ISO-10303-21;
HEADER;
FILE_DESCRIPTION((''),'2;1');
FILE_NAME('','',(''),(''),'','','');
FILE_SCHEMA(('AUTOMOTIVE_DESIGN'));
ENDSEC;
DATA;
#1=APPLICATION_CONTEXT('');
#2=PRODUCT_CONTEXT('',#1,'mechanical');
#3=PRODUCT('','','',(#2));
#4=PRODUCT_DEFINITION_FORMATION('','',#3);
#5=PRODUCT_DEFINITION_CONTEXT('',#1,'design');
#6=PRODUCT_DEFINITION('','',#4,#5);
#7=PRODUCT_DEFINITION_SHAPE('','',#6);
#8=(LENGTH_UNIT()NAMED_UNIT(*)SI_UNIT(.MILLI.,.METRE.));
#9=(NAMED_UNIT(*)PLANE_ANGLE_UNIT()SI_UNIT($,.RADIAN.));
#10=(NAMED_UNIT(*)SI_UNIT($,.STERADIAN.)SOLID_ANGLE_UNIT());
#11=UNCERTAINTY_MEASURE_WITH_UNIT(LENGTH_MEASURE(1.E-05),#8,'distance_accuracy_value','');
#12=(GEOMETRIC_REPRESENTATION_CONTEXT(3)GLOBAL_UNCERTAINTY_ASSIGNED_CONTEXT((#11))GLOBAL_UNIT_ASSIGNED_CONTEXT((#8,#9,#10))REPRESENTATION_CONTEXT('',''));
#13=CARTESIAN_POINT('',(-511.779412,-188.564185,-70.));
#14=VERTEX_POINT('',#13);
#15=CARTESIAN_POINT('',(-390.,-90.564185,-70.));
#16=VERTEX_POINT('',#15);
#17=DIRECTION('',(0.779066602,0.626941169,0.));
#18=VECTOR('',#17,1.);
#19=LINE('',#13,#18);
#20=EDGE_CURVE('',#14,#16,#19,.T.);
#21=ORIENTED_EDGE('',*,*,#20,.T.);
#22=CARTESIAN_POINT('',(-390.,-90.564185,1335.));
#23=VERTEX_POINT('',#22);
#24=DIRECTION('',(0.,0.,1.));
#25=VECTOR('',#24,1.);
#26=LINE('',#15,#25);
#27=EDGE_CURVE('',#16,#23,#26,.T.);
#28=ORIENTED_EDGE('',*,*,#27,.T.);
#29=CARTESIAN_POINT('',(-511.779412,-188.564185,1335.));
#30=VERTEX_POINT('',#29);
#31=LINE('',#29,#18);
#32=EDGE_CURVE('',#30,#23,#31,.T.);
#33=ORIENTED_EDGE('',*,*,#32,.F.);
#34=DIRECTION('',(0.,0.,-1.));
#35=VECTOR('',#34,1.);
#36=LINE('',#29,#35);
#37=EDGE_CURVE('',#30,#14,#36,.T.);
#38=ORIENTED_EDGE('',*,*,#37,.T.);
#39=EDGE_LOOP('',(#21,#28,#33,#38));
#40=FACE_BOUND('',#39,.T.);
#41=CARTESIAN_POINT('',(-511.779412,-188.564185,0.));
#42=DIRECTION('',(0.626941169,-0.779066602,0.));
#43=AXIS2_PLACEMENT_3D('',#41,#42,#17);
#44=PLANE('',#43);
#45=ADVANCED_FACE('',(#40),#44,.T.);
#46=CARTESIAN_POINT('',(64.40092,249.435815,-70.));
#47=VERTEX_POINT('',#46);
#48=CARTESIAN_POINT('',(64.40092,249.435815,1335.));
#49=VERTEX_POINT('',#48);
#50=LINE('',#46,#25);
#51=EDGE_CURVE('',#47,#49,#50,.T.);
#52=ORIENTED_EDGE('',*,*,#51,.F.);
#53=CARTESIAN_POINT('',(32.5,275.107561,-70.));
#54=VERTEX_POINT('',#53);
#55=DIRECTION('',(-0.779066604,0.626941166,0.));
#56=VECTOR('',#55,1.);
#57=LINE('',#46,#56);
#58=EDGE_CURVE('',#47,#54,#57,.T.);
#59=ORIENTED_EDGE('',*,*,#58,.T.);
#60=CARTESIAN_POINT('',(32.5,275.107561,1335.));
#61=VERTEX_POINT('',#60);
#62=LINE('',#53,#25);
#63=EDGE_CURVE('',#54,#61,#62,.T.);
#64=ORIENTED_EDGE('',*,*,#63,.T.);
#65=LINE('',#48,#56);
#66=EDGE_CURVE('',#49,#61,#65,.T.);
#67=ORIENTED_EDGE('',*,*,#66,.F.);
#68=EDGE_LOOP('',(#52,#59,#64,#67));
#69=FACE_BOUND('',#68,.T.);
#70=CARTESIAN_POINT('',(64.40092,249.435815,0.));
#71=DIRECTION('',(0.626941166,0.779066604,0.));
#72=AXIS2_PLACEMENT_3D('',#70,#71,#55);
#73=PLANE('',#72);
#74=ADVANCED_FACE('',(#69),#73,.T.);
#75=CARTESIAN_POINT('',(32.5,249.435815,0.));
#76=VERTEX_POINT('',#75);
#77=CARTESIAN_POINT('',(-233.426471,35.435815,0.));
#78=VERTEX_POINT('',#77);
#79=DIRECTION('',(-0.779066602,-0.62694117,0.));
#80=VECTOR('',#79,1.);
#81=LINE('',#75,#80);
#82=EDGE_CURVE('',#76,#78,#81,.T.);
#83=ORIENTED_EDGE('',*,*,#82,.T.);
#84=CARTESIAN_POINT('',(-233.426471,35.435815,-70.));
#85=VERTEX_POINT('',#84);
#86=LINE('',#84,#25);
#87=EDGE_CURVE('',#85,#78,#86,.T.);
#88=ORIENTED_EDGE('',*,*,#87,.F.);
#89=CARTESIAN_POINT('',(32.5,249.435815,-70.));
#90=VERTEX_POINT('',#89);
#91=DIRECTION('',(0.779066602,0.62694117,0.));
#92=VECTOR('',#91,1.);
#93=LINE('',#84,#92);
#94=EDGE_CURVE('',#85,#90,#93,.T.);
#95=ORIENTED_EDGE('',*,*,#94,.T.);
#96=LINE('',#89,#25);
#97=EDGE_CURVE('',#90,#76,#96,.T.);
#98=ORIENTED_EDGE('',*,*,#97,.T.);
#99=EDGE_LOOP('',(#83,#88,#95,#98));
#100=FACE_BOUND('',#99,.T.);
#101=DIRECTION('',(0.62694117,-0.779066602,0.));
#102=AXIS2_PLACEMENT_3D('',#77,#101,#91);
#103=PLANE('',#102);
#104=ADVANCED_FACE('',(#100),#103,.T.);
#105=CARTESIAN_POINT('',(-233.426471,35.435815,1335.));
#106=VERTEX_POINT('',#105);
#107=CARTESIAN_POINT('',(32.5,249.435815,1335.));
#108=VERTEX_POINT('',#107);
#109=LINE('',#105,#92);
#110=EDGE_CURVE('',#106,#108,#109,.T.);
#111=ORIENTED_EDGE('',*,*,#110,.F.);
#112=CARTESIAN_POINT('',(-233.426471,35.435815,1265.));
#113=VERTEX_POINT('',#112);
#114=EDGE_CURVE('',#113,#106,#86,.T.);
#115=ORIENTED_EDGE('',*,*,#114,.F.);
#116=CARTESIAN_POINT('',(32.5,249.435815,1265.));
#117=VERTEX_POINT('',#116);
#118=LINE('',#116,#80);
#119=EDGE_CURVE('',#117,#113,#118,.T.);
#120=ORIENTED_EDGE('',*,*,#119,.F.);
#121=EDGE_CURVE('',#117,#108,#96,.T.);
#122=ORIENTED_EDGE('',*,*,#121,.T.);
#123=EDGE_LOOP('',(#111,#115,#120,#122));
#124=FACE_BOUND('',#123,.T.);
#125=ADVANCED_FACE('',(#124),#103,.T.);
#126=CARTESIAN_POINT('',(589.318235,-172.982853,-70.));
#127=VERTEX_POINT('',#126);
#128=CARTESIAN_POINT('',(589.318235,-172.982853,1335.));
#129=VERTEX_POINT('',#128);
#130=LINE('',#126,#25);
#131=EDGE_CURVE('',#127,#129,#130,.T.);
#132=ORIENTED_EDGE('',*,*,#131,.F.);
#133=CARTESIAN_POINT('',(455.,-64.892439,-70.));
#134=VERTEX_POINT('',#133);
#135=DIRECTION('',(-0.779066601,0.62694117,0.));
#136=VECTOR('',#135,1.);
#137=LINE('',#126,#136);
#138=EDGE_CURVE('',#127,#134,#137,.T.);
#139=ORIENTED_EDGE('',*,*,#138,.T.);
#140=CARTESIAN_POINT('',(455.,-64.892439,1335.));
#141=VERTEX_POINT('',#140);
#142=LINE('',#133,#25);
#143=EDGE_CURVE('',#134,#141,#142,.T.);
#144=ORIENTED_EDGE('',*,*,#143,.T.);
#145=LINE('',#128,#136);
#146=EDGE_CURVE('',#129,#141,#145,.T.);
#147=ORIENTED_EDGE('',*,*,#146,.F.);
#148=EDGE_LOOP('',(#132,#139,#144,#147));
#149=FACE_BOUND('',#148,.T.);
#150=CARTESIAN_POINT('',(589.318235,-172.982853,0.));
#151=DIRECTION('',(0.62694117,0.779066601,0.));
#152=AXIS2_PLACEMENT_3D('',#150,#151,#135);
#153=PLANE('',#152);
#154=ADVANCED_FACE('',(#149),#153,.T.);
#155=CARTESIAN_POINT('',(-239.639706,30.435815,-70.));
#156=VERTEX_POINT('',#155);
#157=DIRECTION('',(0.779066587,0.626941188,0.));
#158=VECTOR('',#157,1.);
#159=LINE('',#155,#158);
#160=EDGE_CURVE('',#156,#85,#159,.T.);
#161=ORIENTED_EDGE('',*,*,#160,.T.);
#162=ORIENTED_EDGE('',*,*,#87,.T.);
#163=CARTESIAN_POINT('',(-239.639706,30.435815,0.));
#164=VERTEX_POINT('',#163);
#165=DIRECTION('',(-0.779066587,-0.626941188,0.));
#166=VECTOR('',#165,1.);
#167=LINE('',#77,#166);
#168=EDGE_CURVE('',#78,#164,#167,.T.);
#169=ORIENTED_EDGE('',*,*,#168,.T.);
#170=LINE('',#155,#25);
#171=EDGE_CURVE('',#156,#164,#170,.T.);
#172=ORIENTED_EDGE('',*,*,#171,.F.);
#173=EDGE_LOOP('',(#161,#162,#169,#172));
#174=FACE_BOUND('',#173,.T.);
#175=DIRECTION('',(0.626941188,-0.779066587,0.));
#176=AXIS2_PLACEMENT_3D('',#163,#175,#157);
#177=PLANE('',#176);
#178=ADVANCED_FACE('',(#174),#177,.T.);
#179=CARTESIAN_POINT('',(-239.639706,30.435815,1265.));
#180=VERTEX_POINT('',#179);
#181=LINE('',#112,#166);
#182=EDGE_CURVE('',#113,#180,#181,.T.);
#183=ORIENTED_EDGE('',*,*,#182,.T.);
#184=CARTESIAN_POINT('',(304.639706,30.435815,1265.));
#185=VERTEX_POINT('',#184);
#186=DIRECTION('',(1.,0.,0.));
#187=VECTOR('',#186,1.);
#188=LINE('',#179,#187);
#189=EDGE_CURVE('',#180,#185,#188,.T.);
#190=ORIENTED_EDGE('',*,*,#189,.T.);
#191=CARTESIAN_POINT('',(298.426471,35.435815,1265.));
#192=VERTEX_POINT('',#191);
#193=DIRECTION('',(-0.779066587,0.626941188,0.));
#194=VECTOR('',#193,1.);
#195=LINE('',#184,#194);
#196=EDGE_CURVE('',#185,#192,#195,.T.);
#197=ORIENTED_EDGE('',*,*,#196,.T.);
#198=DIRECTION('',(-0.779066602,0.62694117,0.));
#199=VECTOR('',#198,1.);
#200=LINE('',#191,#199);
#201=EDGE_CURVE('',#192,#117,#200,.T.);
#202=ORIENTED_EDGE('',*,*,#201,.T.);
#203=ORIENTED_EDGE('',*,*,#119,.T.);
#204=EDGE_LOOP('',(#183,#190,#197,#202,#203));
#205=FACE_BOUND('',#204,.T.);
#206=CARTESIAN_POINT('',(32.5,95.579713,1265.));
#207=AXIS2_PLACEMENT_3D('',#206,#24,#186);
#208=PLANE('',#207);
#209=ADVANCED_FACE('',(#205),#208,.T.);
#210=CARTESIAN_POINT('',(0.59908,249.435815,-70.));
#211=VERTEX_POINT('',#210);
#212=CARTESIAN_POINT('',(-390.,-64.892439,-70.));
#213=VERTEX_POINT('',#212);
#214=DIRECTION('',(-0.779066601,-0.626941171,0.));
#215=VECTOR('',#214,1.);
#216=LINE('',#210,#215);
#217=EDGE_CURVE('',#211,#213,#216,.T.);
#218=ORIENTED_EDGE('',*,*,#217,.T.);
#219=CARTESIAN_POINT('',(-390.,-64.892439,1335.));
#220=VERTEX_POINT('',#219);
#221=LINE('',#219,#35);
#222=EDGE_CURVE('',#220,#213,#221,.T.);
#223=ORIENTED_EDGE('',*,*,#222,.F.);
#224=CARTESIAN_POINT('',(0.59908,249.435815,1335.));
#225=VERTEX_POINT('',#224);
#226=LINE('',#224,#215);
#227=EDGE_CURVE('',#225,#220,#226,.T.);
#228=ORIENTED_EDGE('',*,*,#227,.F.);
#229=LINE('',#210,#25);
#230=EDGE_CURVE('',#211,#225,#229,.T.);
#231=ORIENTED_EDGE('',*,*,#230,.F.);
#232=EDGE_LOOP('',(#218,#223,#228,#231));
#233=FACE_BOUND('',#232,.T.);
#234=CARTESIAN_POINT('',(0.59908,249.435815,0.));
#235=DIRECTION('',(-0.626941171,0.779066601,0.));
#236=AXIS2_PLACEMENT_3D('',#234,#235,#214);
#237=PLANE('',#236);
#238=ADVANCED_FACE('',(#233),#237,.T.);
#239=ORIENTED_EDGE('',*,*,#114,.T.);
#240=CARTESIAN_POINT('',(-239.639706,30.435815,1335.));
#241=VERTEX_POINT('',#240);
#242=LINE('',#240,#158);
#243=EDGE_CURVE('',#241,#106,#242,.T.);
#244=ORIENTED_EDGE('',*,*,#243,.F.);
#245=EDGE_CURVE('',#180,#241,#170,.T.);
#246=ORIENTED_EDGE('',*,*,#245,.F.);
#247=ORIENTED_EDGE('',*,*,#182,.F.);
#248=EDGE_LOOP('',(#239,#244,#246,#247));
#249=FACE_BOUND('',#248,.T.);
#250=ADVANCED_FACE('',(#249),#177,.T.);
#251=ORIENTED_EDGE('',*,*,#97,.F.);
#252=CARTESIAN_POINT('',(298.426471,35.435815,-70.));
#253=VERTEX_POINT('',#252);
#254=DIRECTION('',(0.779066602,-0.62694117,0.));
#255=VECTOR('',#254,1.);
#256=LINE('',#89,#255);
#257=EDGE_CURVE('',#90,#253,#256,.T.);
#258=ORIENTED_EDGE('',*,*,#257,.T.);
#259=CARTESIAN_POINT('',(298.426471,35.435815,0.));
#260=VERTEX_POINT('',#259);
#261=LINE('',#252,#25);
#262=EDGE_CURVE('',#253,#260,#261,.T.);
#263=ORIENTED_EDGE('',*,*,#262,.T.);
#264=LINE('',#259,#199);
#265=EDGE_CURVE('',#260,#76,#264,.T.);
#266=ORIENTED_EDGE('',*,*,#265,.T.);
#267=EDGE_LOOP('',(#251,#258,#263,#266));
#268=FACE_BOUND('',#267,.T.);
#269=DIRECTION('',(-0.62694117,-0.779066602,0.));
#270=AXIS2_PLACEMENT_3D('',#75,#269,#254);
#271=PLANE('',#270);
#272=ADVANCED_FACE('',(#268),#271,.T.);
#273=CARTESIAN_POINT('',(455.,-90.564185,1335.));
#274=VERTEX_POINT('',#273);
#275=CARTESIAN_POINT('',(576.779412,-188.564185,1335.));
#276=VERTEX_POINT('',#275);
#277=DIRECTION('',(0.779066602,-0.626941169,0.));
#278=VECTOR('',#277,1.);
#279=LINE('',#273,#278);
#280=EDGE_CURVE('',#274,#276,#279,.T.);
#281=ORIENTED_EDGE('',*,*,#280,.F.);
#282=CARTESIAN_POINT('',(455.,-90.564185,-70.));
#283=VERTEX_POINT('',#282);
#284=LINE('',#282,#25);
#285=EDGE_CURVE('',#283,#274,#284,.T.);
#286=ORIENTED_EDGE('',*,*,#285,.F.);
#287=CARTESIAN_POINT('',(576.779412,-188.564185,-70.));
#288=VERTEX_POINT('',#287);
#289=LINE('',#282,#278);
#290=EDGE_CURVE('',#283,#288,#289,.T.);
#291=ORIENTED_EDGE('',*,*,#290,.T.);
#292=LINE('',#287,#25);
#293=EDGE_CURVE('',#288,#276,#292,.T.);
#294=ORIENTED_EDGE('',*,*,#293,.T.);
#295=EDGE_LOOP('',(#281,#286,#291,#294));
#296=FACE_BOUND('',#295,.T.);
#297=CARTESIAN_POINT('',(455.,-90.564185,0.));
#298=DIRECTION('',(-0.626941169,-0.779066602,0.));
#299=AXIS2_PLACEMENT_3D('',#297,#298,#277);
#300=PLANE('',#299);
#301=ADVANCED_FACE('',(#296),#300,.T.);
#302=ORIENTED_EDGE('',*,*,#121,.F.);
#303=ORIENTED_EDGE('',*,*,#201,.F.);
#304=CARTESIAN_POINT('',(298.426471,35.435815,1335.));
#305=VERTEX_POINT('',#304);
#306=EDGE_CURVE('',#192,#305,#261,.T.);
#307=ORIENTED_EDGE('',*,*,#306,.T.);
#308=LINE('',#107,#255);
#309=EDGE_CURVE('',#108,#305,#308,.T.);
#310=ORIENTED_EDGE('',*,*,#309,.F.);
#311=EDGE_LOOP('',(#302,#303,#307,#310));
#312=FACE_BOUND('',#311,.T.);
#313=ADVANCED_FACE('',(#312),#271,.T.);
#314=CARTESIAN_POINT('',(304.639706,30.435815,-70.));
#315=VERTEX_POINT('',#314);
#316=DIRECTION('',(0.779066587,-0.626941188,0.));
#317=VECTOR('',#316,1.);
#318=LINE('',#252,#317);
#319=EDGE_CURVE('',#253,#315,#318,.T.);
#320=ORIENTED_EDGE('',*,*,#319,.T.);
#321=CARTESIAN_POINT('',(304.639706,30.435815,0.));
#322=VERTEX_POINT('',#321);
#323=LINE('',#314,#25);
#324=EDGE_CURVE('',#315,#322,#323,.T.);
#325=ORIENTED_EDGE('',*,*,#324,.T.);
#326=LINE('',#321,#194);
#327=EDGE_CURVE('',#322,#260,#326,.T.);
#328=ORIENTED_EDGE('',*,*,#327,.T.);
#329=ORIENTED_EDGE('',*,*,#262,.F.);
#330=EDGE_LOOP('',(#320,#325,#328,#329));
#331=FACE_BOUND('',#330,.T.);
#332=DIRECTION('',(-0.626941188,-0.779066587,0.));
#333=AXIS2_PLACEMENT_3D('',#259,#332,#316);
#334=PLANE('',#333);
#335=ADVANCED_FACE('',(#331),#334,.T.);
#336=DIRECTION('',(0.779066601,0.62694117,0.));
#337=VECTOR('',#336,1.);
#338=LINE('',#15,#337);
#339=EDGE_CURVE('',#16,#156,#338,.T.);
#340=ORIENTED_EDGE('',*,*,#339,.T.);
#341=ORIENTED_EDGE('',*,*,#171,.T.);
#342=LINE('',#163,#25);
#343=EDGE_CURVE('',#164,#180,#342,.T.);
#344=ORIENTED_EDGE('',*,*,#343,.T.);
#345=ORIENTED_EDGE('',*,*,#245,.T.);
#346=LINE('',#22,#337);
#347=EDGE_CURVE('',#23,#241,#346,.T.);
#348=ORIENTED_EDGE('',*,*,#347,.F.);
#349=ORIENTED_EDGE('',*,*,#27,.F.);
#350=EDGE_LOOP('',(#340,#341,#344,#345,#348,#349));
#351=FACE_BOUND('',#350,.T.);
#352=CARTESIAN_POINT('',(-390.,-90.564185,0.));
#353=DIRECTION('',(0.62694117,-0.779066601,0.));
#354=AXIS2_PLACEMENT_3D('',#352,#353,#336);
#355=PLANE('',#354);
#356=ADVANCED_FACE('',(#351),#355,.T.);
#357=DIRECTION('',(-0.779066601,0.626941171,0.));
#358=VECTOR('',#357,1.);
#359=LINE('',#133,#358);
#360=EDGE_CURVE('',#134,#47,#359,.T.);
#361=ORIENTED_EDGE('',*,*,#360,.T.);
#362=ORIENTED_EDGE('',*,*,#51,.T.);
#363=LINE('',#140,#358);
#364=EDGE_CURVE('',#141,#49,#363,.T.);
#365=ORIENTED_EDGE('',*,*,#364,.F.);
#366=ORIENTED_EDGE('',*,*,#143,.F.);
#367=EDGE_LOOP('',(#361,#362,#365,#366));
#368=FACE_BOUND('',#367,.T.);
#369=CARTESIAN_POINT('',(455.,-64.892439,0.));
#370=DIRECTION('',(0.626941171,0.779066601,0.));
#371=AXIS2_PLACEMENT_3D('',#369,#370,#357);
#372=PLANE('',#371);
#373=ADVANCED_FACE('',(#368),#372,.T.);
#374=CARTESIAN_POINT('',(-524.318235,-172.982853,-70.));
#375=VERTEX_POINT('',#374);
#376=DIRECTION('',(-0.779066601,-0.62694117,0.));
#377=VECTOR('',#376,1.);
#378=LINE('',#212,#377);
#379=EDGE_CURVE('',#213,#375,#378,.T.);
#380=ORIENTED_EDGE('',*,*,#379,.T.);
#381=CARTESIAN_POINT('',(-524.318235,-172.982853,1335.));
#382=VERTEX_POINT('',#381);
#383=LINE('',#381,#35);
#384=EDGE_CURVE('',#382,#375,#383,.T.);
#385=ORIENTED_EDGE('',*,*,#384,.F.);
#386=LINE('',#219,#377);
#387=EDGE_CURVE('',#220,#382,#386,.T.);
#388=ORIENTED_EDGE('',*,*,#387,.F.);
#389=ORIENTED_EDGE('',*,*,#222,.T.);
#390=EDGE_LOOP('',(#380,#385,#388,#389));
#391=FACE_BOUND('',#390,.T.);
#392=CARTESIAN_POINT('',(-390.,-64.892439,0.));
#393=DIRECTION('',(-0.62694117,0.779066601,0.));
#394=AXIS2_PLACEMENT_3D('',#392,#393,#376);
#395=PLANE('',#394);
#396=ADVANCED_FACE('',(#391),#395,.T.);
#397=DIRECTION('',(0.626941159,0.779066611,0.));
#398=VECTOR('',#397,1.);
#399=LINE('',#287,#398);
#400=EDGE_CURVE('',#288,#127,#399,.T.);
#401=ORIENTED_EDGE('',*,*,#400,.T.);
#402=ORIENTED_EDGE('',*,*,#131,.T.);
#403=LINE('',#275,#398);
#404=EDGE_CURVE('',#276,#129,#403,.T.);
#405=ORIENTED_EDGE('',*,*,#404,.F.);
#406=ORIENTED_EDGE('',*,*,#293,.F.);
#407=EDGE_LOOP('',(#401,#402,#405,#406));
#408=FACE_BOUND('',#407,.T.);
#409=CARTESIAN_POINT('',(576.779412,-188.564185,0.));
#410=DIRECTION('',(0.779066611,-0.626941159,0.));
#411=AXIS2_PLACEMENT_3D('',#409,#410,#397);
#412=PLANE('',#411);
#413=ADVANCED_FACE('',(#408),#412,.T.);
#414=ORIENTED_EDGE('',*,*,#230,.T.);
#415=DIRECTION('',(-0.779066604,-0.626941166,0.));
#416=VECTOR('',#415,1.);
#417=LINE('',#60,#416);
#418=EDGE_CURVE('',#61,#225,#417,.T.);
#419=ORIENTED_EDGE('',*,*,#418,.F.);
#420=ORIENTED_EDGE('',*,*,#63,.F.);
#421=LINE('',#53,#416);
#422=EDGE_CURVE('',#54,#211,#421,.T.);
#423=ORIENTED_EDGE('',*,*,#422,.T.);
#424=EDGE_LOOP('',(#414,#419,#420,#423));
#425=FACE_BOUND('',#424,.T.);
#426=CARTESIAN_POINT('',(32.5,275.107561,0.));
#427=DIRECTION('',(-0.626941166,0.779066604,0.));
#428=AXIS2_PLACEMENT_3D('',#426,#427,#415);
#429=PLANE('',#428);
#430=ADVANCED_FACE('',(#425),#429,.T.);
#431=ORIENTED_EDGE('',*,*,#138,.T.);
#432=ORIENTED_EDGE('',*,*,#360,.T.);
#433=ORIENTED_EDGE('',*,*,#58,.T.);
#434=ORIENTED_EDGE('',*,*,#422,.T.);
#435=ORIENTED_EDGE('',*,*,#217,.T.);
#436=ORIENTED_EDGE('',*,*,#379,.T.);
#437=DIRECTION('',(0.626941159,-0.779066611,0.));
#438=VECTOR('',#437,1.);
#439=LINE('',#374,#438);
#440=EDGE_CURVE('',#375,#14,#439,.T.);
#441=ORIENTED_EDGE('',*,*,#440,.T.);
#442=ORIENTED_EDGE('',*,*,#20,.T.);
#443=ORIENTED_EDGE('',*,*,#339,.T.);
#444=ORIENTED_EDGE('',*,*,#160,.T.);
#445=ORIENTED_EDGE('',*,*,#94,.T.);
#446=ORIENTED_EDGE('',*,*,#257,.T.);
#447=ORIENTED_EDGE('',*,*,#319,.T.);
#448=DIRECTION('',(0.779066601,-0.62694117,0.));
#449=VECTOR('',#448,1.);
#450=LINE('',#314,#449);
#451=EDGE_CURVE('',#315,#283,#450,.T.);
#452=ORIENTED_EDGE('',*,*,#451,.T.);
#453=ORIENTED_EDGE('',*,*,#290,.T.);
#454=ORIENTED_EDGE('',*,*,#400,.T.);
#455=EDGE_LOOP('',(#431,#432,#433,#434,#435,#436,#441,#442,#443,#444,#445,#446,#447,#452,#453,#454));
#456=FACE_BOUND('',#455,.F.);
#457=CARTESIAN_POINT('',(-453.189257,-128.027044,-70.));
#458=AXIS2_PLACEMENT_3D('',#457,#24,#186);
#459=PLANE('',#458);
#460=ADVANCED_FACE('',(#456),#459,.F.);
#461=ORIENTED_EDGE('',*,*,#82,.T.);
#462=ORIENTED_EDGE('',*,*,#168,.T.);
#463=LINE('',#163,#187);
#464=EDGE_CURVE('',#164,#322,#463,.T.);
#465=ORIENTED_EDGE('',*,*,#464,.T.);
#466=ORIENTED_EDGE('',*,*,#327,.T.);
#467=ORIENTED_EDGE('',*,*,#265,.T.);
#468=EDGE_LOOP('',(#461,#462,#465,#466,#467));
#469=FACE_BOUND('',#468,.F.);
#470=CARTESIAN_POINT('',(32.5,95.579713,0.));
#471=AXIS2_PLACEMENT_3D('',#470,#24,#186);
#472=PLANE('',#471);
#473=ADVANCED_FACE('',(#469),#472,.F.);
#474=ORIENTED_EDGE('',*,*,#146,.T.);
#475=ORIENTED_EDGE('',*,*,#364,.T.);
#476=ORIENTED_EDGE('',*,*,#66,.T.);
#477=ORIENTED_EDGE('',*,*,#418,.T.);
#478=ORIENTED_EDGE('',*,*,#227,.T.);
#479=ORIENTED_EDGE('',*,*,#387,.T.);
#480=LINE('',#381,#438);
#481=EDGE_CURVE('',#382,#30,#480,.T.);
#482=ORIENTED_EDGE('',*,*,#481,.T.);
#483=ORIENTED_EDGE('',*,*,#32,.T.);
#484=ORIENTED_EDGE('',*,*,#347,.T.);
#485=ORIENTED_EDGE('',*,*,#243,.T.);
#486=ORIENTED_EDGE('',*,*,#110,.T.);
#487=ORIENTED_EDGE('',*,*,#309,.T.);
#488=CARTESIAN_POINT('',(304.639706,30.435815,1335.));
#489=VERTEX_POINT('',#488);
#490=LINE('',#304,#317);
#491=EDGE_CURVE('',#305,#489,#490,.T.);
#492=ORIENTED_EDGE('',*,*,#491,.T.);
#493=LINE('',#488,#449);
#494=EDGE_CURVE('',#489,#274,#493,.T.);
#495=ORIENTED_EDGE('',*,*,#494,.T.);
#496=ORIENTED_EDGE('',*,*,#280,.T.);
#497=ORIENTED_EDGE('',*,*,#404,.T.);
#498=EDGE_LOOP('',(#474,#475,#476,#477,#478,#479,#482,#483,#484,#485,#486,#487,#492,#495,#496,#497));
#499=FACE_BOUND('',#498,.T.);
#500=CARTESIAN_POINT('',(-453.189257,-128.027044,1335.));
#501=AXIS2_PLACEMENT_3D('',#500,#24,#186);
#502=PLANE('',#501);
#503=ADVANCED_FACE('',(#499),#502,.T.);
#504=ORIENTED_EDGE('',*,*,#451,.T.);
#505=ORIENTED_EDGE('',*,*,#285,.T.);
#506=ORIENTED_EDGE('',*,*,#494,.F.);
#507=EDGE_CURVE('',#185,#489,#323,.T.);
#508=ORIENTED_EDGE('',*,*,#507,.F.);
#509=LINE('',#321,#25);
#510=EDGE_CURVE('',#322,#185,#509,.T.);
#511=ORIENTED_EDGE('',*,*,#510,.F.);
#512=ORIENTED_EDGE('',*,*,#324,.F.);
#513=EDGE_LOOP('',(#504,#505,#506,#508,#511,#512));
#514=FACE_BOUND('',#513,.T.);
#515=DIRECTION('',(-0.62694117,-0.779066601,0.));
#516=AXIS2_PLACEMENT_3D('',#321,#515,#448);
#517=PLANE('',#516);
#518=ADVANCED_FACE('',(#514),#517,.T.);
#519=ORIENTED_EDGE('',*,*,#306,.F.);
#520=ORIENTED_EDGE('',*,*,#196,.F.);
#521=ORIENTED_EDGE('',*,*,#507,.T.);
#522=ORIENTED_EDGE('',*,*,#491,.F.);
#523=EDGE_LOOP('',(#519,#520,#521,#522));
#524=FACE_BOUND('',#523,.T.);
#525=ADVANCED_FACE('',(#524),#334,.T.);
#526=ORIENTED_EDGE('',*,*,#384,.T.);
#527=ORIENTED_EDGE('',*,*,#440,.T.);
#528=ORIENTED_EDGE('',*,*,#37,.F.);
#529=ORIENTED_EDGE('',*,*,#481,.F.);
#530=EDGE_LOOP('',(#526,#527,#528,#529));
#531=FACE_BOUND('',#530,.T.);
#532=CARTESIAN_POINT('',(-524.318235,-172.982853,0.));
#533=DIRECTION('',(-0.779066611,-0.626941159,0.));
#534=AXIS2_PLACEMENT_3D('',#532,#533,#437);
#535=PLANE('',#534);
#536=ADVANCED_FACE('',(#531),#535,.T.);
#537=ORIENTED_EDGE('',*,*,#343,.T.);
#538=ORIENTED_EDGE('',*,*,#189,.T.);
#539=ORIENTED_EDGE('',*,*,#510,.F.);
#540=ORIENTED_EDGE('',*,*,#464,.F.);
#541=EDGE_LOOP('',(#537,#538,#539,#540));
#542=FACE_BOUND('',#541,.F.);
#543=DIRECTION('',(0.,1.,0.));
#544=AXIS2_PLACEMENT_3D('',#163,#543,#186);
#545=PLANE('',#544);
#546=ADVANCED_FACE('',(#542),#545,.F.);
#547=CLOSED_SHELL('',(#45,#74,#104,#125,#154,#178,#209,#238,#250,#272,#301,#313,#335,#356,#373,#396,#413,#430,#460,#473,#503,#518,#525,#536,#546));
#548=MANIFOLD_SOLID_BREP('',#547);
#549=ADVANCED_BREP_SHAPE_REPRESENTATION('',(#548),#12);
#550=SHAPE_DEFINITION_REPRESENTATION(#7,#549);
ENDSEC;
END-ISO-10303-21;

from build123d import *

# Parameters (mm, degrees)
F1_DEPTH      = 1335
F1_DEPTH_BACK = 70
F2_DEPTH      = 1265


with BuildPart() as f1:
    # F0 (on Top) → F1 (new body, two sides)
    with BuildSketch(Plane.XY) as f1_sk:
        Polygon((-511.779412, -188.564185), (-390, -90.564185), (-390, -64.892439), (-524.318235, -172.982853), align=None)
        Polygon((-390, -90.564185), (-239.639706, 30.435815), (-233.426471, 35.435815), (32.5, 249.435815), (0.59908, 249.435815), (-390, -64.892439), align=None)
        Polygon((0.59908, 249.435815), (32.5, 249.435815), (64.40092, 249.435815), (32.5, 275.107561), align=None)
        Polygon((64.40092, 249.435815), (32.5, 249.435815), (298.426471, 35.435815), (304.639706, 30.435815), (455, -90.564185), (455, -64.892439), align=None)
        Polygon((455, -64.892439), (455, -90.564185), (576.779412, -188.564185), (589.318235, -172.982853), align=None)
    extrude(amount=F1_DEPTH)
    extrude(f1_sk.sketch, amount=-F1_DEPTH_BACK)

    # F0 (on Top) → F2 (join)
    with BuildSketch(Plane.XY):
        Polygon((32.5, 249.435815), (-233.426471, 35.435815), (32.5, 35.435815), (298.426471, 35.435815), align=None)
        Polygon((-233.426471, 35.435815), (-239.639706, 30.435815), (32.5, 30.435815), (304.639706, 30.435815), (298.426471, 35.435815), (32.5, 35.435815), align=None)
    extrude(amount=F2_DEPTH)


solid = f1.part
